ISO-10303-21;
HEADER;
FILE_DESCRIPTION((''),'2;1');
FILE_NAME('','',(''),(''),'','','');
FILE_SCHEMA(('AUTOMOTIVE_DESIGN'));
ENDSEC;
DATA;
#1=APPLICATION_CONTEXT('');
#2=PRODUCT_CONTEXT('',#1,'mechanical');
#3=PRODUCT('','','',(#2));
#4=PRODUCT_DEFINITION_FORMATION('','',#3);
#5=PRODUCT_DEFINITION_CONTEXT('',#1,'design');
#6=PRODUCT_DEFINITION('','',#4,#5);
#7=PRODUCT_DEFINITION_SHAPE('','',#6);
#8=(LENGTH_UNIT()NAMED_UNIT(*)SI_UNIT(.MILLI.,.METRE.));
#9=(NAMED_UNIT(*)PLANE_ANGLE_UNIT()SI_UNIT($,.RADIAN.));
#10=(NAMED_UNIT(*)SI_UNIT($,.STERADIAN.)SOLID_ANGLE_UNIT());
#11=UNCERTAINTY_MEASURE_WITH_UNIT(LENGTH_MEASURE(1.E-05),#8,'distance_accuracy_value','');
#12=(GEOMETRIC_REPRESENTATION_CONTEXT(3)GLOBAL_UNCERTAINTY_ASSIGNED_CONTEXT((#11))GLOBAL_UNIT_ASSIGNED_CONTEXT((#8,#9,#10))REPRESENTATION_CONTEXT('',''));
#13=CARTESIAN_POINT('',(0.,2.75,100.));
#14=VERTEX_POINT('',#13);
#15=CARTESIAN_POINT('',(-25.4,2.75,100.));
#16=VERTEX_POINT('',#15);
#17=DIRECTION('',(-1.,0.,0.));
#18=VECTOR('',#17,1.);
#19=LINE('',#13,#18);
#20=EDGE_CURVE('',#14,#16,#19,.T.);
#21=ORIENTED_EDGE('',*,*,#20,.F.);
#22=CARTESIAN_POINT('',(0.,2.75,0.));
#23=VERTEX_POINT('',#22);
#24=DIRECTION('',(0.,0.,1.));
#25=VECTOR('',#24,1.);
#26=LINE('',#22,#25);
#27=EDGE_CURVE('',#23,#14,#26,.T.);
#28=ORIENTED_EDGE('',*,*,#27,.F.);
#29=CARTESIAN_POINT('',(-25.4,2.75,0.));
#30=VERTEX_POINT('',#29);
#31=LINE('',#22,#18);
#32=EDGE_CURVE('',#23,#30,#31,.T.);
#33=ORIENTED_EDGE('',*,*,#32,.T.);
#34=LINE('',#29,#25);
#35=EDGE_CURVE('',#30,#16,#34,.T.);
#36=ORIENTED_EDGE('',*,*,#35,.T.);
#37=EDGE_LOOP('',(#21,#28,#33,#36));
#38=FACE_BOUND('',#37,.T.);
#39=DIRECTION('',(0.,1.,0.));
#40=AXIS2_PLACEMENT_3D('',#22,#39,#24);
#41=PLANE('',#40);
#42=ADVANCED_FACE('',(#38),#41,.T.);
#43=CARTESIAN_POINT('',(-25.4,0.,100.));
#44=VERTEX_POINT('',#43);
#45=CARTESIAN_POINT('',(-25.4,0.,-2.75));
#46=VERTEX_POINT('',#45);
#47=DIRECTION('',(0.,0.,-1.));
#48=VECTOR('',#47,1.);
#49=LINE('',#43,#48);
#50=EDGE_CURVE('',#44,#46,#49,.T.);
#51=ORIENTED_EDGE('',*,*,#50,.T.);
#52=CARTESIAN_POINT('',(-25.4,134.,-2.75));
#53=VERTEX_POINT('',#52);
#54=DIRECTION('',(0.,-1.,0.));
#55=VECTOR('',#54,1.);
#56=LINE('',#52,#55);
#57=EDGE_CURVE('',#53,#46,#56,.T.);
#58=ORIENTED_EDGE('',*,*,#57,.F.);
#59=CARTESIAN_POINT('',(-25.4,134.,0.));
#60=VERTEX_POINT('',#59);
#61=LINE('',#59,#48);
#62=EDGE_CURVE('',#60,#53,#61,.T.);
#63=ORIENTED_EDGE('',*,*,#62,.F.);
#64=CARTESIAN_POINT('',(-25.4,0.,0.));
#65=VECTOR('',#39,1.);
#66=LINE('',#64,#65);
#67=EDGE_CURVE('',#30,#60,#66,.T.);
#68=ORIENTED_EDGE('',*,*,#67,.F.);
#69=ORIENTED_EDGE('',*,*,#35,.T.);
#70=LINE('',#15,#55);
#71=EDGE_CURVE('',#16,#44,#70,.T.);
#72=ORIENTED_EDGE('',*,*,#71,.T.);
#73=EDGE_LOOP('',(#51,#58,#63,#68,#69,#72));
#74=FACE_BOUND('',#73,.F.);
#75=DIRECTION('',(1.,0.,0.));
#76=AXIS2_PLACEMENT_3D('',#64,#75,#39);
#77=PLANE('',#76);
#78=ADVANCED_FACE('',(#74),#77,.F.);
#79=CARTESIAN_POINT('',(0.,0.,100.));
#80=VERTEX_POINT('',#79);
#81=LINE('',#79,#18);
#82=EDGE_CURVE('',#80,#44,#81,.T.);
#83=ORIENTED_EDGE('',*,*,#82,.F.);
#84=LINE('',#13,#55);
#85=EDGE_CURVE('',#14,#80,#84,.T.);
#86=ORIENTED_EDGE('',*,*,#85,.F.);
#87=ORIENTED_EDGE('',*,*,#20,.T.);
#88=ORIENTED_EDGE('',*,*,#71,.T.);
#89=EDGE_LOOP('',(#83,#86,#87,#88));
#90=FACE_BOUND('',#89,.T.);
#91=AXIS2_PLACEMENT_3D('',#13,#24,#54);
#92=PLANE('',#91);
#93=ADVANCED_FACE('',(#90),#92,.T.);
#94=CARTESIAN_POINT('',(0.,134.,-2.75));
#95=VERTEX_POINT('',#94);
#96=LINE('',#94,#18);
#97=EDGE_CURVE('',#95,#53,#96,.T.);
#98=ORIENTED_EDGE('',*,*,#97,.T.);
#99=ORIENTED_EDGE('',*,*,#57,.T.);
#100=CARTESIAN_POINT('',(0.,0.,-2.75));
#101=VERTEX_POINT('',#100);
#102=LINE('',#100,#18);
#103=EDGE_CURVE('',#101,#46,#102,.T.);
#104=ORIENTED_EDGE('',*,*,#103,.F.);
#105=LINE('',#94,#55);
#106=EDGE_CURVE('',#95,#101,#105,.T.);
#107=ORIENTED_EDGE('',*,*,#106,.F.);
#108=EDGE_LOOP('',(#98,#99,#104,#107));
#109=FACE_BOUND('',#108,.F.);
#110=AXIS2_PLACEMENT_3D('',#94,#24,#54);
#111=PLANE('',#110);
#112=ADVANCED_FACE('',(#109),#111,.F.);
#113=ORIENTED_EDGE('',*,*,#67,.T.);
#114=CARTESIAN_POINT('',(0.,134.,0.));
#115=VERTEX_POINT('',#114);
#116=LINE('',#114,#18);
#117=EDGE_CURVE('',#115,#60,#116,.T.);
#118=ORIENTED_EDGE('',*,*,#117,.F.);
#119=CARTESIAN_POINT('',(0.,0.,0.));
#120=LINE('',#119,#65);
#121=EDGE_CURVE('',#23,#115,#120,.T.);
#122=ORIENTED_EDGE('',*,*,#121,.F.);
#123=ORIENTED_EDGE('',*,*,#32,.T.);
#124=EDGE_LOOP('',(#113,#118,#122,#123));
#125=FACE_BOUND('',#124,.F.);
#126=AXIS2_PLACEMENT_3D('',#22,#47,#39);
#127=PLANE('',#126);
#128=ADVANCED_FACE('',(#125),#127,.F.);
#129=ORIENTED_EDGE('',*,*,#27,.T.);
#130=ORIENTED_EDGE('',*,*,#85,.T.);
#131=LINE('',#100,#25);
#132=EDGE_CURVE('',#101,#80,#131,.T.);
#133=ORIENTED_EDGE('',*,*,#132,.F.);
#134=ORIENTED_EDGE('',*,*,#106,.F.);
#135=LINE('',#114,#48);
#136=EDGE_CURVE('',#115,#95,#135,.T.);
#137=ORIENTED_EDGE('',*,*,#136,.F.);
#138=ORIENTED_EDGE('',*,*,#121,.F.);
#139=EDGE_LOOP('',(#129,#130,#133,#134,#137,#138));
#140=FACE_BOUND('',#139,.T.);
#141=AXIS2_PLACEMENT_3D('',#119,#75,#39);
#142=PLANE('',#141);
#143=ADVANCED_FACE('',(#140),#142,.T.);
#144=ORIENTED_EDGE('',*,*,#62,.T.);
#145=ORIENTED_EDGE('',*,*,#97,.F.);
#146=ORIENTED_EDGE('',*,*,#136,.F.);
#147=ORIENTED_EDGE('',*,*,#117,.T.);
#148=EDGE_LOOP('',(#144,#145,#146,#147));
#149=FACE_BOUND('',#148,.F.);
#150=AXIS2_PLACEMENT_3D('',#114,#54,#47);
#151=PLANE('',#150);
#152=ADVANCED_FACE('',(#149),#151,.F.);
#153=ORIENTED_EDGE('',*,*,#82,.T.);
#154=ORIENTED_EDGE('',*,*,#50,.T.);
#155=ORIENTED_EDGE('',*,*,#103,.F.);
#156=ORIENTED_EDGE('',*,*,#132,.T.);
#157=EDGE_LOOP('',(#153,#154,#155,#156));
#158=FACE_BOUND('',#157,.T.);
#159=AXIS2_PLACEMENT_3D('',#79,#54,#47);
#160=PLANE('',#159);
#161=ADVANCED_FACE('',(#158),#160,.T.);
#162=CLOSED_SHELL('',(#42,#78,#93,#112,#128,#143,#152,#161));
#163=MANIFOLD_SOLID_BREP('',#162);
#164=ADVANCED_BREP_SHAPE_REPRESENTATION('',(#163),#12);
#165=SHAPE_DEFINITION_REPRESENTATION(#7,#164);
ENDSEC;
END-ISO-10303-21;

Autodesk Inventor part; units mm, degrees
ref_plane "YZ Plane" through (0, 0, 0) normal (1, 0, 0) x (0, 1, 0)
ref_plane "XZ Plane" through (0, 0, 0) normal (0, 1, 0) x (-1, 0, 0)
ref_plane "XY Plane" through (0, 0, 0) normal (0, 0, 1) x (1, 0, 0)
sketch "Sketch1" plane through (0, 0, 0) normal (1, 0, 0) x (0, 1, 0)
  line L0 (0, 0) -> (134, 0)
  line L1 (134, 0) -> (134, -2.75)
  line L2 (134, -2.75) -> (0, -2.75)
  line L3 (0, -2.75) -> (0, 0)
  line L4 (0, 0) -> (2.75, 0)
  line L5 (2.75, 0) -> (2.75, 100)
  line L6 (2.75, 100) -> (0, 100)
  line L7 (0, 100) -> (0, 0)
  dimension "d0" = 134
  dimension "d1" = 2.75
  dimension "d2" = 2.75
  dimension "d3" = 100
extrude "Extrusion1" add sketch "Sketch1" against normal blind 25.4
properties part number "PLETINA NEMA CAJA"
